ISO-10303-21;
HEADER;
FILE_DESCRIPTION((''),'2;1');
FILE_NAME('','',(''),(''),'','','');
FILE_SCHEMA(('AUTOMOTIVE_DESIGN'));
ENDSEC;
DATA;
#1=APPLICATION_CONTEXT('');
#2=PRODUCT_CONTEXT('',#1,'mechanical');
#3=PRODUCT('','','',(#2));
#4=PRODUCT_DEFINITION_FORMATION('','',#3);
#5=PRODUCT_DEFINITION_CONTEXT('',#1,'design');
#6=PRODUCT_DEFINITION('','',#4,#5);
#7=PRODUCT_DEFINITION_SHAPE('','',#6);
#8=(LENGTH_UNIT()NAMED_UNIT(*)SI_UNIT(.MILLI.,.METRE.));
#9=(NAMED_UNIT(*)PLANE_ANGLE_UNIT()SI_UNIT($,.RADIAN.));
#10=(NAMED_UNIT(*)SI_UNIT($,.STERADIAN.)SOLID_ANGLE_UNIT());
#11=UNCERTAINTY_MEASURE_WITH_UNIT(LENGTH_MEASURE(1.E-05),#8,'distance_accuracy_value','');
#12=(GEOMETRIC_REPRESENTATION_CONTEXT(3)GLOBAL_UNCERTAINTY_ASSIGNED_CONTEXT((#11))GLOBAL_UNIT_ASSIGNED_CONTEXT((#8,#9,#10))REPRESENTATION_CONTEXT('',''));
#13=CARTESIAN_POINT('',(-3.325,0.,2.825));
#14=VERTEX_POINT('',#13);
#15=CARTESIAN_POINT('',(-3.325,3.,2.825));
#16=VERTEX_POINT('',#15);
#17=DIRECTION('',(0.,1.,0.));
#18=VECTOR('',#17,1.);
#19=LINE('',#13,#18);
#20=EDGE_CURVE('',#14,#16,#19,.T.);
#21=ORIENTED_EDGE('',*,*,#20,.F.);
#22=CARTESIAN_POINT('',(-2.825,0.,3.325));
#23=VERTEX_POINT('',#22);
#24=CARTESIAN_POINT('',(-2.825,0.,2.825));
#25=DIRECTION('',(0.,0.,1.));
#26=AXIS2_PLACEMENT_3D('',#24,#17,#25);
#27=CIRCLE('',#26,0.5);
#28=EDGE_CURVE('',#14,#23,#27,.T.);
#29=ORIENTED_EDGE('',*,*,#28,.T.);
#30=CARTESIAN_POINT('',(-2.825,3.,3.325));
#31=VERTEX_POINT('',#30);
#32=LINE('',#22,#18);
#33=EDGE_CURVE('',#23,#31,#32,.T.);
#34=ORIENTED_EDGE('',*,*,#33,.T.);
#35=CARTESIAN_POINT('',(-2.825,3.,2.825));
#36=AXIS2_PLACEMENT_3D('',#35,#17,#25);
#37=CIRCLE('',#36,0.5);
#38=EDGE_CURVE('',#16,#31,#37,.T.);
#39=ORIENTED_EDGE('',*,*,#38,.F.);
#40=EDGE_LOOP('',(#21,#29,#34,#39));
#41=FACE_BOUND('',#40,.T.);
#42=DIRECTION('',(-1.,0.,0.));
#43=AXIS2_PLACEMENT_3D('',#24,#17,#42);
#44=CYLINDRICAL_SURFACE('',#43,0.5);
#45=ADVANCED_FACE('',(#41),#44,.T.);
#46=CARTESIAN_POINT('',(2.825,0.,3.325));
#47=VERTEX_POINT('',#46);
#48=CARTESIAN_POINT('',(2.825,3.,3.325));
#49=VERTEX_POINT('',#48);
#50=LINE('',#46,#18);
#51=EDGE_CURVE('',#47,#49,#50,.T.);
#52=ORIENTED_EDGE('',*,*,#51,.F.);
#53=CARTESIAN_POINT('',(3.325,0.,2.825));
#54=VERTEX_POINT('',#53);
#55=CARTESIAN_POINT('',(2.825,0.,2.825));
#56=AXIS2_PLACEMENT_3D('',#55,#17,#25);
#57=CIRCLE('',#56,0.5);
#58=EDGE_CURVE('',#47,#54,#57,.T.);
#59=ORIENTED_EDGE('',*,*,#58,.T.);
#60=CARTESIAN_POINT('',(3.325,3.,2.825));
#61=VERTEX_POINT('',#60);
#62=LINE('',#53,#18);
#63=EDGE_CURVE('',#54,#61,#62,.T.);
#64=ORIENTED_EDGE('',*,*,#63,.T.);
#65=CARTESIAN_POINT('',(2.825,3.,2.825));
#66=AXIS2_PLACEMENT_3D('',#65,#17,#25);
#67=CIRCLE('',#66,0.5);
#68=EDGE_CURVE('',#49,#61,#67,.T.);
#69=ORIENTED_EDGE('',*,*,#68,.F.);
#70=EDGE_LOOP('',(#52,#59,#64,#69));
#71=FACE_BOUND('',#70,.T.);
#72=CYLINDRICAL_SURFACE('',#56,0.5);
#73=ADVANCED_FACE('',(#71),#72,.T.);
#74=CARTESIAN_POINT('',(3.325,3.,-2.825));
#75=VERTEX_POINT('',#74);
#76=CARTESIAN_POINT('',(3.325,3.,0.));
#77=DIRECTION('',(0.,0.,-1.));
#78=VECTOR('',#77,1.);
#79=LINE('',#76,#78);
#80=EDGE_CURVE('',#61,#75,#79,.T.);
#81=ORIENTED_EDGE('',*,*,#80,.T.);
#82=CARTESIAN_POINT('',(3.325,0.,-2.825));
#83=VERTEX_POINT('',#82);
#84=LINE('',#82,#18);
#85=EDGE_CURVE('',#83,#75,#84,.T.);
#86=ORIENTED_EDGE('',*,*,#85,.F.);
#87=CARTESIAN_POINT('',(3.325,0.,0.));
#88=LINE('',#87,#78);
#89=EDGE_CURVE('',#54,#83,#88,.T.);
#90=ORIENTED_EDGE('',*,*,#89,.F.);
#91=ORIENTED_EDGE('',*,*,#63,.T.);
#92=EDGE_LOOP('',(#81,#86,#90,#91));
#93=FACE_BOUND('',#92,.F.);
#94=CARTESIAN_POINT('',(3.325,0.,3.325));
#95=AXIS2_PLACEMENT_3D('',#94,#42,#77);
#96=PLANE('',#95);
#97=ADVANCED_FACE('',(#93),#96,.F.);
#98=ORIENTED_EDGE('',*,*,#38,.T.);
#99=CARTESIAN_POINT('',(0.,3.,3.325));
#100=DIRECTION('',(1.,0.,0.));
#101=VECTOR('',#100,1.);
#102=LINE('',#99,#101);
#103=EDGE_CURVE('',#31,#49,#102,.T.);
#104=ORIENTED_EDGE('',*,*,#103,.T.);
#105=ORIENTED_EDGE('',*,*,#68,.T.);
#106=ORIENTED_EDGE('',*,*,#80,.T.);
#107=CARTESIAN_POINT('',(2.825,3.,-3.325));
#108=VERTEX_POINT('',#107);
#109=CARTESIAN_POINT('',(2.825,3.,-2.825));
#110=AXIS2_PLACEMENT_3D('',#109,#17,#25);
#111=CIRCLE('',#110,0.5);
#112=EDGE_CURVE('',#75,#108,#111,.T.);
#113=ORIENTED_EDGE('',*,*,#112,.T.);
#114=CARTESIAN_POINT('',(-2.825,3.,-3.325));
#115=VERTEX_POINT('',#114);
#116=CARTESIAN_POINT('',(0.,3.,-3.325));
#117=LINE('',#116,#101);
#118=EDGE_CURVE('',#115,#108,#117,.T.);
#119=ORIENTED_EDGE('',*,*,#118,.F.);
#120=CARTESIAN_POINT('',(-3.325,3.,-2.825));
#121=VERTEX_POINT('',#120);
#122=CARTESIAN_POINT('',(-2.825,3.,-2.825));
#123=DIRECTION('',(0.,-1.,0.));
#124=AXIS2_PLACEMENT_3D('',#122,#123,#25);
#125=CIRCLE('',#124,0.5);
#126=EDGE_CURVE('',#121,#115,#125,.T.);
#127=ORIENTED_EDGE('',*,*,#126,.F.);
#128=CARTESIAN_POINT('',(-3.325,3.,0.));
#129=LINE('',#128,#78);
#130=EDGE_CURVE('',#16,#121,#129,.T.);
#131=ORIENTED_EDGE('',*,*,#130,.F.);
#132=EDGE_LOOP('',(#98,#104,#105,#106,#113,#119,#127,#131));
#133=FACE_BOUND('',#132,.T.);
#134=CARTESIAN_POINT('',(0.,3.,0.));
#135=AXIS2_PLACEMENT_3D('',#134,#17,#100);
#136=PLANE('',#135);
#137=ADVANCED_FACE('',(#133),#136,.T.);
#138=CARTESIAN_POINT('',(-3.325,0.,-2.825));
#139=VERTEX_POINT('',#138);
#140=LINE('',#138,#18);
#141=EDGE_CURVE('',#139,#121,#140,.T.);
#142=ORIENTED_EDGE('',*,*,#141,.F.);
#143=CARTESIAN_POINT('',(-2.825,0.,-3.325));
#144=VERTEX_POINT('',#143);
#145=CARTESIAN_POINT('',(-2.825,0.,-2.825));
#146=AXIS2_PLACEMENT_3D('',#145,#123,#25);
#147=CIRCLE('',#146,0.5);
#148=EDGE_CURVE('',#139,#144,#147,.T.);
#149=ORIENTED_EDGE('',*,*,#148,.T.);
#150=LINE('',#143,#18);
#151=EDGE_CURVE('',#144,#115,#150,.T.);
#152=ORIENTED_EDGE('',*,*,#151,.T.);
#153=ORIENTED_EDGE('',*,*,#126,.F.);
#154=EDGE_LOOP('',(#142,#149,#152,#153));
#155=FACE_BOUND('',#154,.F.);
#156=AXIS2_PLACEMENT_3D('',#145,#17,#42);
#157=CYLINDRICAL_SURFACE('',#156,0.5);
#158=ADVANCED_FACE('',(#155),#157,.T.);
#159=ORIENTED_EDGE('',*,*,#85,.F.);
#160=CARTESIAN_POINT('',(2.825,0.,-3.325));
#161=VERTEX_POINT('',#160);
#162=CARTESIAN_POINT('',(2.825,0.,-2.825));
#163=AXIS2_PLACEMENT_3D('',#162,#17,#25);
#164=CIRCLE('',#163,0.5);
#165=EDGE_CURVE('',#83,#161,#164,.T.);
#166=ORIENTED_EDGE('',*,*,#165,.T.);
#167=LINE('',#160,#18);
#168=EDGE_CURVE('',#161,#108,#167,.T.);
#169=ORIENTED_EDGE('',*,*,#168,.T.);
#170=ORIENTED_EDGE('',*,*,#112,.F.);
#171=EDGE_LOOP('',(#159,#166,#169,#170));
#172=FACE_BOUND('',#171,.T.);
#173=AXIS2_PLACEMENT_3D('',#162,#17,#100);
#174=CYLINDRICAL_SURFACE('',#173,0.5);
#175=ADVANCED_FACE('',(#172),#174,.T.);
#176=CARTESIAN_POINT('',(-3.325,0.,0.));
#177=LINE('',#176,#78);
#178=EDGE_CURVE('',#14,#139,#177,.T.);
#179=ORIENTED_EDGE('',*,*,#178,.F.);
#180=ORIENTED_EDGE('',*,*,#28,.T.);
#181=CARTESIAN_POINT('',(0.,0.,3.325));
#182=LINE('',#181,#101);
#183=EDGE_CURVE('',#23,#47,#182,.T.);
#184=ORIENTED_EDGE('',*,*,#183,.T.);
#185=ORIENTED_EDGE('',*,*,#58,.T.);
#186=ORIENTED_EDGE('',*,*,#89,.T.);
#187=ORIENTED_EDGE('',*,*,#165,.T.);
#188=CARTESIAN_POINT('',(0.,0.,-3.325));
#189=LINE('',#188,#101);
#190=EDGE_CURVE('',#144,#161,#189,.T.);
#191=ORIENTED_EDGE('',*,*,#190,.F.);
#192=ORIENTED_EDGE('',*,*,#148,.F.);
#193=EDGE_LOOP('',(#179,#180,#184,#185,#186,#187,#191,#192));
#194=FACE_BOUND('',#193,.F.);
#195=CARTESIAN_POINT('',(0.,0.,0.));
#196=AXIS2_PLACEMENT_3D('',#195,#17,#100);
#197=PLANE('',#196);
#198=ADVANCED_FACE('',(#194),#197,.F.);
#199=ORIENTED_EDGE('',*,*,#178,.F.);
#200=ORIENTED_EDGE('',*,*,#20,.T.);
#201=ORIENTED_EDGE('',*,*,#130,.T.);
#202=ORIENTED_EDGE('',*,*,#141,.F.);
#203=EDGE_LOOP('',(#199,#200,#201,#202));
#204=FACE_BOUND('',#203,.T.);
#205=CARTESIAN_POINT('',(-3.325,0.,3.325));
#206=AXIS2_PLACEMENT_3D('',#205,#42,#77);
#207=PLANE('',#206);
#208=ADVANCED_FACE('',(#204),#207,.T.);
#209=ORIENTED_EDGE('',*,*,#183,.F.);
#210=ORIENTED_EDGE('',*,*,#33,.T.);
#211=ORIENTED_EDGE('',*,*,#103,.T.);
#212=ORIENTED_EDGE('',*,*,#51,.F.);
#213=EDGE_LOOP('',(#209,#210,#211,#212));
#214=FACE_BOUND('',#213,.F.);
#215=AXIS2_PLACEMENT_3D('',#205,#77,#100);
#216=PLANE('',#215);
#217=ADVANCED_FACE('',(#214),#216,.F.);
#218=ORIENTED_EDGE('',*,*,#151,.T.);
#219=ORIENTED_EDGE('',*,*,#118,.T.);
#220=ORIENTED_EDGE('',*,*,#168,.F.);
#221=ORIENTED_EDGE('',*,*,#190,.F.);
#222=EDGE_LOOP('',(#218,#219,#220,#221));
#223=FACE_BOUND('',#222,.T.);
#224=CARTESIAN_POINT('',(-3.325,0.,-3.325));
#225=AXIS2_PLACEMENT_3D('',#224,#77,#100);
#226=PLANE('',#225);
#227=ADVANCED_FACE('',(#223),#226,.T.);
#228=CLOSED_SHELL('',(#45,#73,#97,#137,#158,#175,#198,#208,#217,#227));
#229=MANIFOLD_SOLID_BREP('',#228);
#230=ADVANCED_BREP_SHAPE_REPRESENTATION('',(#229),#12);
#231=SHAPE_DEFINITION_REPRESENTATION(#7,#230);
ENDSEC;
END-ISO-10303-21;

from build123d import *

# Parameters (mm, degrees)
SKETCH1_W           = 6.65
SKETCH1_H           = 6.65
BOSS_EXTRUDE1_DEPTH = 3
FILLET1_R           = 0.5


with BuildPart() as part:
    # Sketch1 → Boss-Extrude1 (new body)
    with BuildSketch(Plane(origin=(0, 0, 0), x_dir=(1, 0, 0), z_dir=(0, 1, 0))):
        Rectangle(SKETCH1_W, SKETCH1_H)
    extrude(amount=BOSS_EXTRUDE1_DEPTH)

    # Fillet1
    fillet1_edges = [part.edges().sort_by_distance(p)[0] for p in [
        (3.325, 1.5, 3.325),
        (-3.325, 1.5, 3.325),
        (-3.325, 1.5, -3.325),
        (3.325, 1.5, -3.325),
    ]]
    fillet(fillet1_edges, radius=FILLET1_R)


solid = part.part
